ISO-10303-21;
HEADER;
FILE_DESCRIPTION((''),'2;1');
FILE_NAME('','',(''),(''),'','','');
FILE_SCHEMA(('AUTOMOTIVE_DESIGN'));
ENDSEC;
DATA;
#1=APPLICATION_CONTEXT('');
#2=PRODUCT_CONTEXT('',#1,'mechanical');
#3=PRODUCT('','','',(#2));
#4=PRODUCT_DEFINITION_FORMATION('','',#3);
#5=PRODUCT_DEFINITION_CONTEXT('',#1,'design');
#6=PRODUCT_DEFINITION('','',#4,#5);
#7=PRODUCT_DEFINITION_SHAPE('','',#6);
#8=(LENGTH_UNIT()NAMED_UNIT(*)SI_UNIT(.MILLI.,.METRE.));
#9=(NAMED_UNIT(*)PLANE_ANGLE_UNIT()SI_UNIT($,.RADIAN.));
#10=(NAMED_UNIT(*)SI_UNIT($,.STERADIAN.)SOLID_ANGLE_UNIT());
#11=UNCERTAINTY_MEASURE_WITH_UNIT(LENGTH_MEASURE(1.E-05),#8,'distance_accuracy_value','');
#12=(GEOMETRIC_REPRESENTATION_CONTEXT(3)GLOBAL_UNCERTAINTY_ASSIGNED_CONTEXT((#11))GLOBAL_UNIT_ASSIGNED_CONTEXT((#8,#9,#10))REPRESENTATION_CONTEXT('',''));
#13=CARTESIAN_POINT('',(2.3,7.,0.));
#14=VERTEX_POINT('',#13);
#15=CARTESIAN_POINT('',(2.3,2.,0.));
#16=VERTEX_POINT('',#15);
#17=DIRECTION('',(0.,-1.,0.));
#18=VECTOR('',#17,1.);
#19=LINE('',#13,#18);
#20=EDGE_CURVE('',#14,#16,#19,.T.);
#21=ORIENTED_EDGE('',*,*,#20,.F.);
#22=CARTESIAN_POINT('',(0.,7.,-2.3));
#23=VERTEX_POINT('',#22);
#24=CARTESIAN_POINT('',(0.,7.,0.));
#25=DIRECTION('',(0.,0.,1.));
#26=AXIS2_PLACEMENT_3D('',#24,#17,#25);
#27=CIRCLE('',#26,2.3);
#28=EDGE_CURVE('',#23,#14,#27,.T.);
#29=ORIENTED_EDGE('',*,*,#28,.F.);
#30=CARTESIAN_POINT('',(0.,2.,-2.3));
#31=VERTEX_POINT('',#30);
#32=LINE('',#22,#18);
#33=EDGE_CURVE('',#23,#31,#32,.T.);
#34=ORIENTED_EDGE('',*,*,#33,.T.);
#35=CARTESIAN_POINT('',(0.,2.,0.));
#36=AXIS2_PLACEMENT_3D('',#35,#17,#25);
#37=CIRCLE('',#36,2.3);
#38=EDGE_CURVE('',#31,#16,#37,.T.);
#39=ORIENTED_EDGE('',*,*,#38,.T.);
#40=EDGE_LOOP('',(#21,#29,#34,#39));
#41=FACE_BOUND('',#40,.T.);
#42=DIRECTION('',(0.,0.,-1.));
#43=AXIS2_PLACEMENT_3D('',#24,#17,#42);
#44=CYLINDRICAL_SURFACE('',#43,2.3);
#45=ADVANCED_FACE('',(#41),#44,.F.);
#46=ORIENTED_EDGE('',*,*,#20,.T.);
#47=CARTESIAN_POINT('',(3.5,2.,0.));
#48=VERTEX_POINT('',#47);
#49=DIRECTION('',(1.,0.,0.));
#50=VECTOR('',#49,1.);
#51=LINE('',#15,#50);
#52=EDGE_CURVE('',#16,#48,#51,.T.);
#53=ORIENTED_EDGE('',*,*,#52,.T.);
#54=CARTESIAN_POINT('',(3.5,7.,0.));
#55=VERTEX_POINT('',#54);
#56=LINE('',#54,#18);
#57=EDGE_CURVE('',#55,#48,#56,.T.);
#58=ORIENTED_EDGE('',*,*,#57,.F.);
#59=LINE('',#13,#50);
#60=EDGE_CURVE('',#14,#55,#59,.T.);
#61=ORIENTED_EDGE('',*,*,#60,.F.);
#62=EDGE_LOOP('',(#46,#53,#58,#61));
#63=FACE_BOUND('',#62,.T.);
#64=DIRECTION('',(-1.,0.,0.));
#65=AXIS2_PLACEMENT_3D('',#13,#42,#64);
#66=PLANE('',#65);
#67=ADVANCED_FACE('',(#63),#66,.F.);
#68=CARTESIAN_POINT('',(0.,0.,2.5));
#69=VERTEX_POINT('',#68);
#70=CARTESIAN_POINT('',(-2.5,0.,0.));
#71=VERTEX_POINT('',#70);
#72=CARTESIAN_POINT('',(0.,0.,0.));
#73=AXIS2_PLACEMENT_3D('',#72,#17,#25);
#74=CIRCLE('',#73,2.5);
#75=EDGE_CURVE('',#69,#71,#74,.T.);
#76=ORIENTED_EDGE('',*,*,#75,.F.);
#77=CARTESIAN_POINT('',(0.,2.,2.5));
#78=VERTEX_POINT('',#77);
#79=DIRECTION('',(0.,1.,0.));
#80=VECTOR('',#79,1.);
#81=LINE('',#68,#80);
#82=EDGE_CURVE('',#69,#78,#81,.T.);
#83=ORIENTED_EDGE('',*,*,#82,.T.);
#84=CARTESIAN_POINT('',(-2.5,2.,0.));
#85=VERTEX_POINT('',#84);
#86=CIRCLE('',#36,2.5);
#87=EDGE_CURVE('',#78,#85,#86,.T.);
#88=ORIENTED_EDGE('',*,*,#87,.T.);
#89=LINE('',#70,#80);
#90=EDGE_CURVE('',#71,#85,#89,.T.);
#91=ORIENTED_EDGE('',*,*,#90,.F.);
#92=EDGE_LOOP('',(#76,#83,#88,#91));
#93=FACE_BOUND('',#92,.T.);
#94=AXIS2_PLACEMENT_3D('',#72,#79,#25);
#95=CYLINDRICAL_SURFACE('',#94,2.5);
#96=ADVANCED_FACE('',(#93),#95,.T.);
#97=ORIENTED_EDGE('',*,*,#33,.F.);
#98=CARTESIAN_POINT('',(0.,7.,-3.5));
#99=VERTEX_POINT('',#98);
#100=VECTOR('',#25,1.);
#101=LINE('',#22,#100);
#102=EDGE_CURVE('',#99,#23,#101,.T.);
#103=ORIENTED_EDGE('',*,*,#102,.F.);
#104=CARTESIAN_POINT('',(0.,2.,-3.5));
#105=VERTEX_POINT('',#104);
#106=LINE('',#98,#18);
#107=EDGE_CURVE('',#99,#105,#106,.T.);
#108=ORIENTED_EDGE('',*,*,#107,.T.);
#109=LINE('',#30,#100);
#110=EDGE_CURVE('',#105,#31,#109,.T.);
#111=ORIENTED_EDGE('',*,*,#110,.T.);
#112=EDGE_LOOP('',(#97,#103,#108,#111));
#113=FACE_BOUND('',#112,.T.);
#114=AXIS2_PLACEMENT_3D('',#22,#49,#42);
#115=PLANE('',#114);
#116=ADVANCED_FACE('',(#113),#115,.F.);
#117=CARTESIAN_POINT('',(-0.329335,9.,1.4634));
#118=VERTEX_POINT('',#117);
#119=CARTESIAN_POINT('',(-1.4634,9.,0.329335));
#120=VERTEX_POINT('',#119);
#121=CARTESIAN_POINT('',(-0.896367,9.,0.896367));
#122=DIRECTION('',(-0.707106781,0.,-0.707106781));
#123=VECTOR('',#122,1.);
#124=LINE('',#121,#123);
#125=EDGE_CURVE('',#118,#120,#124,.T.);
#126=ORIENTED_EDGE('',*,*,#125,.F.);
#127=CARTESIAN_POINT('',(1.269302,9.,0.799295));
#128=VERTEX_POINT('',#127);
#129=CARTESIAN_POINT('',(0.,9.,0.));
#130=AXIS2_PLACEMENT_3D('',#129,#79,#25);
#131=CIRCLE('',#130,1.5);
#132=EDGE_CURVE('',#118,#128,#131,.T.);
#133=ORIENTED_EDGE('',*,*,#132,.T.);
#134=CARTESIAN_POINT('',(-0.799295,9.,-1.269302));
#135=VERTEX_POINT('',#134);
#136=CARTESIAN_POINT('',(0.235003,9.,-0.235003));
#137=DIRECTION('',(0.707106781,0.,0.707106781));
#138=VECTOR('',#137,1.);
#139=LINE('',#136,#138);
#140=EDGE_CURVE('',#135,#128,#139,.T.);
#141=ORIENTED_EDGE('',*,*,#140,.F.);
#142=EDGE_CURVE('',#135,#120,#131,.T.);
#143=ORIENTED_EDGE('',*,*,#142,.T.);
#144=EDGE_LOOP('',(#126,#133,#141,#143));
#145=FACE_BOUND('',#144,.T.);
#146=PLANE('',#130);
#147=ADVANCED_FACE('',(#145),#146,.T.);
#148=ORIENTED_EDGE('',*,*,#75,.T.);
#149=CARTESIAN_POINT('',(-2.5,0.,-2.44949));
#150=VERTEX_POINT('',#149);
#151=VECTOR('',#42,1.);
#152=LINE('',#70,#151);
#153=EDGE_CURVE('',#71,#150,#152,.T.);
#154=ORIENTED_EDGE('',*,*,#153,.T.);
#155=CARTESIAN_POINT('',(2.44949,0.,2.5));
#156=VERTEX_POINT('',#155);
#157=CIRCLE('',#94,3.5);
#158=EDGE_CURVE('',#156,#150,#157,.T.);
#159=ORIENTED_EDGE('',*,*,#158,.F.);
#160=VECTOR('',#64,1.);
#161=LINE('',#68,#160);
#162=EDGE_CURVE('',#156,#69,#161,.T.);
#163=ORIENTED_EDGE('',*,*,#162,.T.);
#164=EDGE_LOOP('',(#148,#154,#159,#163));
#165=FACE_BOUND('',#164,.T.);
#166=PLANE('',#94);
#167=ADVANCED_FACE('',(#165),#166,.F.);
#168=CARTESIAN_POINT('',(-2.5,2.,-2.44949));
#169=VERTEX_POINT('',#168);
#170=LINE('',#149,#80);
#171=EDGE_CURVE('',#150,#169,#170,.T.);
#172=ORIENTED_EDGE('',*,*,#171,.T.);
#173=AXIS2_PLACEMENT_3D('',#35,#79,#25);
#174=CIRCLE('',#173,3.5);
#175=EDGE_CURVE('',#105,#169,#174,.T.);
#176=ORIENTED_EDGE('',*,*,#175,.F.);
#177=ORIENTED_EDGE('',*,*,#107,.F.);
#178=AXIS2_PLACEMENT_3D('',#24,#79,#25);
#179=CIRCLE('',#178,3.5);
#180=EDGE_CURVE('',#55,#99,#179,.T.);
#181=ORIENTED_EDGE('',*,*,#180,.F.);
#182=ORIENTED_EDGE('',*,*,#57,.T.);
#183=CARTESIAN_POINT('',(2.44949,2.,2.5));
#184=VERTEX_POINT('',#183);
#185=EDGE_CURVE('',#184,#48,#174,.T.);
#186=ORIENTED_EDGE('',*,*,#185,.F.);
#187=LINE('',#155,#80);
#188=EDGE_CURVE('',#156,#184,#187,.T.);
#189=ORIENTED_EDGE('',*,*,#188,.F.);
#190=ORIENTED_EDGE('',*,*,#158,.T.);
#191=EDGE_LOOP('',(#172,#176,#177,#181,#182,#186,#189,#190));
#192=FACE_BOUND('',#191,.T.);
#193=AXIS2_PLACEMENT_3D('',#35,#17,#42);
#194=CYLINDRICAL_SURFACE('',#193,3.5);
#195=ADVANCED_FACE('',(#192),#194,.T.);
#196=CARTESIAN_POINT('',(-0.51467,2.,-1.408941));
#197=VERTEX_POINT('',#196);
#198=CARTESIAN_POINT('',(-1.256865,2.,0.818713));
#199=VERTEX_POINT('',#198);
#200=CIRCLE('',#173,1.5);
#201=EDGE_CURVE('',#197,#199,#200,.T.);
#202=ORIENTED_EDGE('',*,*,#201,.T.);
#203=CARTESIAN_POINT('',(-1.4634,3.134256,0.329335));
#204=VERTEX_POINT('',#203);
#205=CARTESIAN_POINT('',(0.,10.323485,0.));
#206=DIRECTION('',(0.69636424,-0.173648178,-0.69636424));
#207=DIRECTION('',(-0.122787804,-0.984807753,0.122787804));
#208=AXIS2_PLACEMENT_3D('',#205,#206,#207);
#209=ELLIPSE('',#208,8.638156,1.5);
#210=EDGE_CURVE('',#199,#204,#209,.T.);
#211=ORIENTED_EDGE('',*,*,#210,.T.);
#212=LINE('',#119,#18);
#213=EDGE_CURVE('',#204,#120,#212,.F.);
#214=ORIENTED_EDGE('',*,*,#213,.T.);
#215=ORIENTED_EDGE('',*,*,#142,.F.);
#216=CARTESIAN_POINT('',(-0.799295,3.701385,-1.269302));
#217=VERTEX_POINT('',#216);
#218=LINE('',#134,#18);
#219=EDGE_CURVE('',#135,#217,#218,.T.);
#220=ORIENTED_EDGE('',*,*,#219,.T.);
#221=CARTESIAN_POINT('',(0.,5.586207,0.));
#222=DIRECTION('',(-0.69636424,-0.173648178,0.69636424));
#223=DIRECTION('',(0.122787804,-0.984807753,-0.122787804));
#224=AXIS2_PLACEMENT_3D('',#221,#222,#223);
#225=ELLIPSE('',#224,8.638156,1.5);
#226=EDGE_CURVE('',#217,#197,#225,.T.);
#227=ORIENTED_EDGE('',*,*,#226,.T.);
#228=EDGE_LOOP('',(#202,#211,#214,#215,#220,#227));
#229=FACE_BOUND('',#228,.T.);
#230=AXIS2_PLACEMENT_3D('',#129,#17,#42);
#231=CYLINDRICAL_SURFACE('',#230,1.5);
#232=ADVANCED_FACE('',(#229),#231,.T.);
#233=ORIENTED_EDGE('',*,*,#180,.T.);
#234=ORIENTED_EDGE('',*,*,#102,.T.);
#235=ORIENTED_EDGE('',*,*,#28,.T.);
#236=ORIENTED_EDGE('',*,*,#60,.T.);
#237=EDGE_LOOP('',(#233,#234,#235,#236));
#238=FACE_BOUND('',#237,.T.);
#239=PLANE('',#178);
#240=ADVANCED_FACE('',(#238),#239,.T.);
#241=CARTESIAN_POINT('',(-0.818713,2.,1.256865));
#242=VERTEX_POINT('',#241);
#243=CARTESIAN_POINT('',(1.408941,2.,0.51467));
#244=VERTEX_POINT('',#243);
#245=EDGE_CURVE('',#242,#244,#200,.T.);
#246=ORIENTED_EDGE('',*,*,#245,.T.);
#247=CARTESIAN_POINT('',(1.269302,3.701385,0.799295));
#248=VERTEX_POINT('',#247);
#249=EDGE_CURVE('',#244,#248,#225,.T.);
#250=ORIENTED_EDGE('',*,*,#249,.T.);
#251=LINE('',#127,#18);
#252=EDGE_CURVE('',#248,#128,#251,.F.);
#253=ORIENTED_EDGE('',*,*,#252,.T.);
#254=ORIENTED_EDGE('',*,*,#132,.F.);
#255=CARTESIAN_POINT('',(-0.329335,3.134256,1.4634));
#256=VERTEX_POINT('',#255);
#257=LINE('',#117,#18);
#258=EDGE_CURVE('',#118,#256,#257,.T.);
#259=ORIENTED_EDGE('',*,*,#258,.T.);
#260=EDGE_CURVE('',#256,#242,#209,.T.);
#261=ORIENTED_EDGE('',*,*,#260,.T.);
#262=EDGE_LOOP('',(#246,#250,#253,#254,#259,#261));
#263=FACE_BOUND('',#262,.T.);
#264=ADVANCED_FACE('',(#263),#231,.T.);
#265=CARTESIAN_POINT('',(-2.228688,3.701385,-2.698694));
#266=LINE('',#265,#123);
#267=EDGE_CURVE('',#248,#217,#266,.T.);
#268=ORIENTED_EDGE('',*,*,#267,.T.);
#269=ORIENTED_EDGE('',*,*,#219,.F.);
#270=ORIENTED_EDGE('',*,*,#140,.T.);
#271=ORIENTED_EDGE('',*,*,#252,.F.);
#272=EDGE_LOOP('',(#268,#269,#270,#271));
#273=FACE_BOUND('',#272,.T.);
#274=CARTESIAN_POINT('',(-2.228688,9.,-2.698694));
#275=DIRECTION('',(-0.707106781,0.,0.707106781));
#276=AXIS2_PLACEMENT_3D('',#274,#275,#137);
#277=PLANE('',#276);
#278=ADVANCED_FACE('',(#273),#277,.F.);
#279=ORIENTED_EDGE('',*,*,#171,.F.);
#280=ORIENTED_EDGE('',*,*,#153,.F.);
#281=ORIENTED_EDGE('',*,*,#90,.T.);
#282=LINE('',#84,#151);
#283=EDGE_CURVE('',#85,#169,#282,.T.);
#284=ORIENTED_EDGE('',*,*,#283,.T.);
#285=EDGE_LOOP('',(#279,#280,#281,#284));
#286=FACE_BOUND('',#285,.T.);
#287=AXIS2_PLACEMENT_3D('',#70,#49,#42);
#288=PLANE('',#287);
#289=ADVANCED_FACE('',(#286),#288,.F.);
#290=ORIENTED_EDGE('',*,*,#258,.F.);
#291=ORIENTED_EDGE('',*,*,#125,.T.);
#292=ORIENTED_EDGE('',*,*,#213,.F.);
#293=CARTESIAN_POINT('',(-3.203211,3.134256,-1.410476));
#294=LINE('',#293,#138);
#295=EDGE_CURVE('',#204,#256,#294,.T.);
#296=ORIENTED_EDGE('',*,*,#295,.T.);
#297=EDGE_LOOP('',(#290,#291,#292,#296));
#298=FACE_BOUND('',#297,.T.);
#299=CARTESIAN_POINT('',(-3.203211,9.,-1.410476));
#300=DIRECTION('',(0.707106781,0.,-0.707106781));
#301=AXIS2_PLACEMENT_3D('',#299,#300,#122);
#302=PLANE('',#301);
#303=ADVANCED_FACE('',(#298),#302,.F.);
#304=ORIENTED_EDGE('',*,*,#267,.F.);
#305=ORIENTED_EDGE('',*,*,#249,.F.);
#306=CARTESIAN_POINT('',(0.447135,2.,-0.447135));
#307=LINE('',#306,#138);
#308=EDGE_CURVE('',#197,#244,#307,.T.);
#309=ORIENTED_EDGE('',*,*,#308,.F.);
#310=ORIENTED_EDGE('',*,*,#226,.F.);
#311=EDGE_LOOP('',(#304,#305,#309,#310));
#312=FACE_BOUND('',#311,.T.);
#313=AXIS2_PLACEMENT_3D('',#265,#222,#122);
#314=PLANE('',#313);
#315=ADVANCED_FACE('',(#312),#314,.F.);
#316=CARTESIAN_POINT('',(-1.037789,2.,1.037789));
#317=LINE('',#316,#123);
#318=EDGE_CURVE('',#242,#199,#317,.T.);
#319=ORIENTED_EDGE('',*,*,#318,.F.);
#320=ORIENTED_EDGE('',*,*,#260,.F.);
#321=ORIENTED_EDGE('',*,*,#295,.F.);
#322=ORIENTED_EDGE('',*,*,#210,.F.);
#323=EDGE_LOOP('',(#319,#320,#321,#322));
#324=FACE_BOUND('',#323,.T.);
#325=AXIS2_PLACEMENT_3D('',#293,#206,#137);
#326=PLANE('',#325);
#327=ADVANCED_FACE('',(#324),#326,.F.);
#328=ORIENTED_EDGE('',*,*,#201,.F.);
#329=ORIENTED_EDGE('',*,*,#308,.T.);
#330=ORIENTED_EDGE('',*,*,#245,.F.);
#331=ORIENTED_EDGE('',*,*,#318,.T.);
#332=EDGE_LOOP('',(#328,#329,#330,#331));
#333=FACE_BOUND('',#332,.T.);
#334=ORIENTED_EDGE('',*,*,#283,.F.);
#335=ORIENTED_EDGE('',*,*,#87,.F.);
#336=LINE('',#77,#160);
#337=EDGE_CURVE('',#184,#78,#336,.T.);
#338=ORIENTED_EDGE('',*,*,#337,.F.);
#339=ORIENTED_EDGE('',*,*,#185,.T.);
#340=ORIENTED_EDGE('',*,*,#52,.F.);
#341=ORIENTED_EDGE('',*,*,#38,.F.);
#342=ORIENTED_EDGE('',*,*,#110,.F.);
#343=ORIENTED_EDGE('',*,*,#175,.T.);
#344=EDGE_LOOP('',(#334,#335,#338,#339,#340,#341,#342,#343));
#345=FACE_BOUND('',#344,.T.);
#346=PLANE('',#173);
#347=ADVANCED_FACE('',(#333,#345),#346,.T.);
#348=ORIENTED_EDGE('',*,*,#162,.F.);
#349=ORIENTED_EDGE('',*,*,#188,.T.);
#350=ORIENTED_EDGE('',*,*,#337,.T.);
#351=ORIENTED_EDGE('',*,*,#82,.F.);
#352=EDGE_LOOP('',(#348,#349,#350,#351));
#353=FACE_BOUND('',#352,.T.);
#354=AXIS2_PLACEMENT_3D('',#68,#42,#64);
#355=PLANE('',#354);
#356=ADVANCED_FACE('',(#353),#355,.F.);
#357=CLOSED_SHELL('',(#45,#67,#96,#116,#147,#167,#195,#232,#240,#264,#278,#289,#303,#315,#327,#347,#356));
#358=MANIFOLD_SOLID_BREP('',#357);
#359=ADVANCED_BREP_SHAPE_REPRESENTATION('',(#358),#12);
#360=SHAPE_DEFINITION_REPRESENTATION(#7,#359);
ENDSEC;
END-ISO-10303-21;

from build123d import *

# Parameters (mm, degrees)
SKETCH1_R           = 3.5
BOSS_EXTRUDE1_DEPTH = 2
SKETCH2_R           = 1.5
BOSS_EXTRUDE2_DEPTH = 7
SKETCH5_OUTSIDE_W   = 11.676
SKETCH5_OUTSIDE_H   = 11.676
CUT_EXTRUDE1_DEPTH  = 7
BOSS_EXTRUDE4_DEPTH = 5
CHAMFER3_SIZE       = 0.3
CHAMFER3_SIZE2      = 1.701384546
CHAMFER4_SIZE       = 0.2
CHAMFER4_SIZE2      = 1.134256364
CUT_EXTRUDE2_DEPTH  = 3


with BuildPart() as part:
    # Sketch1 → Boss-Extrude1 (new body)
    with BuildSketch(Plane(origin=(0, 0, 0), x_dir=(1, 0, 0), z_dir=(0, 1, 0))):
        Circle(SKETCH1_R)
    extrude(amount=BOSS_EXTRUDE1_DEPTH)

    # Sketch2 → Boss-Extrude2 (add)
    with BuildSketch(Plane(origin=(0, 2, 0), x_dir=(1, 0, 0), z_dir=(0, 1, 0))):
        Circle(SKETCH2_R)
    extrude(amount=BOSS_EXTRUDE2_DEPTH)

    # Sketch5 outside → Cut-Extrude1 (cut)
    with BuildSketch(Plane(origin=(0, 2, 0), x_dir=(1, 0, 0), z_dir=(0, 1, 0))):
        Rectangle(SKETCH5_OUTSIDE_W, SKETCH5_OUTSIDE_H)
        with BuildLine():
            Line((-2.228687609, 2.698694414), (2.698694414, -2.228687609))
            ThreePointArc((2.698694414, -2.228687609), (2.111573719, -2.791282219), (1.41047572, -3.203210615))
            Line((1.41047572, -3.203210615), (-3.203210615, 1.41047572))
            ThreePointArc((-3.203210615, 1.41047572), (-2.791282219, 2.111573719), (-2.228687609, 2.698694414))
        make_face(mode=Mode.SUBTRACT)
    extrude(amount=CUT_EXTRUDE1_DEPTH, mode=Mode.SUBTRACT)

    # Sketch4 → Boss-Extrude4 (add)
    with BuildSketch(Plane(origin=(0, 2, 0), x_dir=(1, 0, 0), z_dir=(0, 1, 0))):
        with BuildLine():
            Line((0, 2.3), (0, 3.5))
            ThreePointArc((0, 3.5), (2.474873734, 2.474873734), (3.5, 0))
            Line((3.5, 0), (2.3, 0))
            ThreePointArc((2.3, 0), (1.626345597, 1.626345597), (0, 2.3))
        make_face()
    extrude(amount=BOSS_EXTRUDE4_DEPTH)

    # Chamfer3
    chamfer3_edges = [part.edges().sort_by_distance(p)[0] for p in [
        (0.235003403, 2, -0.235003403),
    ]]
    chamfer3_side = [part.faces().sort_by_distance(p)[0] for p in [
        (-2.404873734, 2, 2.404873734),
    ]]
    chamfer(chamfer3_edges, length=CHAMFER3_SIZE, length2=CHAMFER3_SIZE2, reference=chamfer3_side[0])

    # Chamfer4
    chamfer4_edges = [part.edges().sort_by_distance(p)[0] for p in [
        (-0.896367447, 2, 0.896367447),
    ]]
    chamfer4_side = [part.faces().sort_by_distance(p)[0] for p in [
        (-0.704284953, 2, -1.435537374),
    ]]
    chamfer(chamfer4_edges, length=CHAMFER4_SIZE, length2=CHAMFER4_SIZE2, reference=chamfer4_side[0])

    # Sketch6 → Cut-Extrude2 (cut, through all)
    with BuildSketch(Plane(origin=(0, 2, 0), x_dir=(1, 0, 0), z_dir=(0, 1, 0))):
        with BuildLine():
            Line((-2.5, 0), (-2.5, 2.449489743))
            ThreePointArc((-2.5, 2.449489743), (-2.474873734, -2.474873734), (2.449489743, -2.5))
            Line((2.449489743, -2.5), (0, -2.5))
            ThreePointArc((0, -2.5), (-1.767766953, -1.767766953), (-2.5, 0))
        make_face()
    extrude(amount=-CUT_EXTRUDE2_DEPTH, mode=Mode.SUBTRACT)


solid = part.part
